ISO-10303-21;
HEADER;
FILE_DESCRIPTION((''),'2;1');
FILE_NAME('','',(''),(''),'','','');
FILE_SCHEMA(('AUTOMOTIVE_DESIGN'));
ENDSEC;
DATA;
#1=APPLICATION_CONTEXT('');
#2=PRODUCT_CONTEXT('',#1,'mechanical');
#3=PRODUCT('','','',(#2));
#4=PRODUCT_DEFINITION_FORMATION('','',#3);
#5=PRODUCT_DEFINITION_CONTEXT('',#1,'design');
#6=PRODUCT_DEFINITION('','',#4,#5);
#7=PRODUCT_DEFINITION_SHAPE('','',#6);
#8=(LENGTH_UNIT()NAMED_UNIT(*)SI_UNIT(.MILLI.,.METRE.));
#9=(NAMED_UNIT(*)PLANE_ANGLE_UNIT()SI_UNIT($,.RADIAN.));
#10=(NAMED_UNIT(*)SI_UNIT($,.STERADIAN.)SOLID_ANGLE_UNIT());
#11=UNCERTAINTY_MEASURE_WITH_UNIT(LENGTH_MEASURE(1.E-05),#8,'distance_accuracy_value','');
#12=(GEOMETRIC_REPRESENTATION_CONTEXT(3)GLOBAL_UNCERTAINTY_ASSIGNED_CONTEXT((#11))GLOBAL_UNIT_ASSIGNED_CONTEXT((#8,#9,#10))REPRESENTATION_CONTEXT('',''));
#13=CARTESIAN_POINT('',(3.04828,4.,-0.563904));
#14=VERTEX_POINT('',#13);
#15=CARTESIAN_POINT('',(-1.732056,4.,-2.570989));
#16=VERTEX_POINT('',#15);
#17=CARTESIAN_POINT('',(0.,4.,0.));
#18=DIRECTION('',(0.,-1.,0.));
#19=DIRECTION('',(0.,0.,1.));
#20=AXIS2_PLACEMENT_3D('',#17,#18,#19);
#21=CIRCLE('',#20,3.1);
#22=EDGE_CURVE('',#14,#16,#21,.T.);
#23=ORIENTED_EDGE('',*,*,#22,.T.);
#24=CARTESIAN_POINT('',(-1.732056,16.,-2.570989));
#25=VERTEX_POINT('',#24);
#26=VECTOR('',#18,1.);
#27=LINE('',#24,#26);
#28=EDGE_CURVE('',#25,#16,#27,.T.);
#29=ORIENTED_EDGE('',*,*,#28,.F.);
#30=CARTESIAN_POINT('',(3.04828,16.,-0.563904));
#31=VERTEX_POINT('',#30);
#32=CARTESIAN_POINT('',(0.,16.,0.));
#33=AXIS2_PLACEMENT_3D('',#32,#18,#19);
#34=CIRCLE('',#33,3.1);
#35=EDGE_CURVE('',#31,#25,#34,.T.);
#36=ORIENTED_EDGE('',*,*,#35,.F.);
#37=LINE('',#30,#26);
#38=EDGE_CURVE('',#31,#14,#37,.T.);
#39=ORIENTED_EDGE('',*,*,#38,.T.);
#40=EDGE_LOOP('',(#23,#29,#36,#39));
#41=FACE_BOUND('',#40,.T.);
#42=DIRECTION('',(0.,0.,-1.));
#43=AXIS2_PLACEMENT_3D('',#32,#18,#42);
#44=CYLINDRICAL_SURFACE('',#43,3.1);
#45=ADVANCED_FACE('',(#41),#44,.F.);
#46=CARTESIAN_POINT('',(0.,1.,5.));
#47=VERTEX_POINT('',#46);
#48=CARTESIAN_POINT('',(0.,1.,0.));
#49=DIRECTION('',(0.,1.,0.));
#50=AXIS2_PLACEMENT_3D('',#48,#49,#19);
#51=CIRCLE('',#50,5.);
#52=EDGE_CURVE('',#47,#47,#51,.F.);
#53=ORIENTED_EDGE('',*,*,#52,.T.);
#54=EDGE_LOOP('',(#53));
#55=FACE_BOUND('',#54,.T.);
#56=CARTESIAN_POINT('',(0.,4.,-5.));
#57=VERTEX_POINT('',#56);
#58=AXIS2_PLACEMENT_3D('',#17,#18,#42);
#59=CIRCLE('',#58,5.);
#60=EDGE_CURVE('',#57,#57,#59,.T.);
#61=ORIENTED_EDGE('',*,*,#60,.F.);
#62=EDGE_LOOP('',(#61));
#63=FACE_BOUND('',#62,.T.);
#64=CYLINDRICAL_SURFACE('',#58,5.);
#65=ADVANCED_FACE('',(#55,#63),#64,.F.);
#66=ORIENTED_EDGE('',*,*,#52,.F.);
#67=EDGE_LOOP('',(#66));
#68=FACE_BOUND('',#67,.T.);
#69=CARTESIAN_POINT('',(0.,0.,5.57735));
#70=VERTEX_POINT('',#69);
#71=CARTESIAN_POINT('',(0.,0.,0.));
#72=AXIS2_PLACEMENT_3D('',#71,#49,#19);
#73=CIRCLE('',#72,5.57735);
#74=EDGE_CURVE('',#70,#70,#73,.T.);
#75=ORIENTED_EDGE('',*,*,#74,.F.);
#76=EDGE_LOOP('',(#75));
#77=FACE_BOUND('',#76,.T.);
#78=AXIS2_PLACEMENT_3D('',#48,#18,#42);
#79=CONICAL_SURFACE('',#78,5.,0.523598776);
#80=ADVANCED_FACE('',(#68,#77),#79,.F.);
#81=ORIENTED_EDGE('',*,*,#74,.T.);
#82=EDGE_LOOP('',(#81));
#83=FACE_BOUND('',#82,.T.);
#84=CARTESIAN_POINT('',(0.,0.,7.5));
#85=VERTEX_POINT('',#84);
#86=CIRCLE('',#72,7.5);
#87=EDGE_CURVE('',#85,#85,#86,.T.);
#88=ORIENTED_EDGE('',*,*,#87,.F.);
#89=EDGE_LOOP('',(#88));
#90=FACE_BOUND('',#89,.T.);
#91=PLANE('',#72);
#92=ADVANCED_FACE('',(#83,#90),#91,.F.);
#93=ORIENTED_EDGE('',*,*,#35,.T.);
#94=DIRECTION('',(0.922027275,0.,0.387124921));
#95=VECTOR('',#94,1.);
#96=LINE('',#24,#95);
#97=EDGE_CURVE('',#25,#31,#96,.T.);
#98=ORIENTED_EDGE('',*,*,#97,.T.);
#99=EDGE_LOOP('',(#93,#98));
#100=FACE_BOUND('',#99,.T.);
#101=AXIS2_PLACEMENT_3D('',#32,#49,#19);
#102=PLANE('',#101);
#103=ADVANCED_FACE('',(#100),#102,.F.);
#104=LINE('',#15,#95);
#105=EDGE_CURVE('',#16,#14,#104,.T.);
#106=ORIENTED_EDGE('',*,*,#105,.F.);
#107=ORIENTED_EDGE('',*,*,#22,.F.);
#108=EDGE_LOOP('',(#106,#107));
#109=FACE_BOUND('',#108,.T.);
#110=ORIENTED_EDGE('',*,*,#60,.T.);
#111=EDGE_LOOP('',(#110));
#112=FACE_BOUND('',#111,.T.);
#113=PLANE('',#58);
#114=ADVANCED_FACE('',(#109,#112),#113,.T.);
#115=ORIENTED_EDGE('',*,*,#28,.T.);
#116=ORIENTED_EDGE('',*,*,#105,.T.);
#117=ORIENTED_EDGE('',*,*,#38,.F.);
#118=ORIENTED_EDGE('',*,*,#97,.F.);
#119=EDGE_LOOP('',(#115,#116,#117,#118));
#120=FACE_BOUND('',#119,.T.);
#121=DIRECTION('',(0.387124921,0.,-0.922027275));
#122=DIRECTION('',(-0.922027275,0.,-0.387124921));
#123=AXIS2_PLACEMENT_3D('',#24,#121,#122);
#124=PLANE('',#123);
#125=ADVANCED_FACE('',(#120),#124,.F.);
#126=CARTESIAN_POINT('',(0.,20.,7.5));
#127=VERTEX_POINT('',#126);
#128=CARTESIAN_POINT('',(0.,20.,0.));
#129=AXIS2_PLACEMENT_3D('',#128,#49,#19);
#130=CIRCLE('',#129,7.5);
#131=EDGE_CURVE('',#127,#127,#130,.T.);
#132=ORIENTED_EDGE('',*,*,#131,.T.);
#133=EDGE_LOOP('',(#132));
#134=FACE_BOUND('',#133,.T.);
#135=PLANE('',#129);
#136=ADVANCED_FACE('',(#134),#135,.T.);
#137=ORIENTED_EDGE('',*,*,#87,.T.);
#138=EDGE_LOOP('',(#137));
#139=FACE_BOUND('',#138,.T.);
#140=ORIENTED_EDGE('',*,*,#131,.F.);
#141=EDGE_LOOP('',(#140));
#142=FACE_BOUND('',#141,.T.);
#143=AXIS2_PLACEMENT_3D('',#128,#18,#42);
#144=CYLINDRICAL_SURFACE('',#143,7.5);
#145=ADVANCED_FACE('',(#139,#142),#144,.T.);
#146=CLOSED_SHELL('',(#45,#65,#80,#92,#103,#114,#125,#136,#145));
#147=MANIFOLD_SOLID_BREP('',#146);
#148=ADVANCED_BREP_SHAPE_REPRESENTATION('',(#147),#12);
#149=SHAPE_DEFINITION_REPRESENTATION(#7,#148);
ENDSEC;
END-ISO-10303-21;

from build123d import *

# Parameters (mm, degrees)
SKETCH1_R           = 7.5
BOSS_EXTRUDE1_DEPTH = 20
SKETCH2_R           = 5
CUT_EXTRUDE1_DEPTH  = 4
CUT_EXTRUDE2_DEPTH  = 12
CHAMFER1_SIZE       = 1
CHAMFER1_SIZE2      = 0.577350269


with BuildPart() as part:
    # Sketch1 → Boss-Extrude1 (new body)
    with BuildSketch(Plane(origin=(0, 0, 0), x_dir=(1, 0, 0), z_dir=(0, 1, 0))):
        with Locations(Location((0, 0, 0), (0, 0, 270))):
            Circle(SKETCH1_R)
    extrude(amount=BOSS_EXTRUDE1_DEPTH)

    # Sketch2 → Cut-Extrude1 (cut)
    with BuildSketch(Plane.XZ):
        with Locations(Location((0, 0, 0), (0, 0, 270))):
            Circle(SKETCH2_R)
    extrude(amount=-CUT_EXTRUDE1_DEPTH, mode=Mode.SUBTRACT)

    # Sketch3 → Cut-Extrude2 (cut)
    with BuildSketch(Plane.XZ.offset(-4)):
        with BuildLine():
            Line((-1.732055507, -2.57098886), (3.04828024, -0.563903873))
            ThreePointArc((3.04828024, -0.563903873), (-1.200087257, 2.858284551), (-1.732055507, -2.57098886))
        make_face()
    extrude(amount=-CUT_EXTRUDE2_DEPTH, mode=Mode.SUBTRACT)

    # Chamfer1
    chamfer1_edges = [part.edges().sort_by_distance(p)[0] for p in [
        (0, 0, 5),
    ]]
    chamfer1_side = [part.faces().sort_by_distance(p)[0] for p in [
        (0, 2, 5),
    ]]
    chamfer(chamfer1_edges, length=CHAMFER1_SIZE, length2=CHAMFER1_SIZE2, reference=chamfer1_side[0])


solid = part.part
